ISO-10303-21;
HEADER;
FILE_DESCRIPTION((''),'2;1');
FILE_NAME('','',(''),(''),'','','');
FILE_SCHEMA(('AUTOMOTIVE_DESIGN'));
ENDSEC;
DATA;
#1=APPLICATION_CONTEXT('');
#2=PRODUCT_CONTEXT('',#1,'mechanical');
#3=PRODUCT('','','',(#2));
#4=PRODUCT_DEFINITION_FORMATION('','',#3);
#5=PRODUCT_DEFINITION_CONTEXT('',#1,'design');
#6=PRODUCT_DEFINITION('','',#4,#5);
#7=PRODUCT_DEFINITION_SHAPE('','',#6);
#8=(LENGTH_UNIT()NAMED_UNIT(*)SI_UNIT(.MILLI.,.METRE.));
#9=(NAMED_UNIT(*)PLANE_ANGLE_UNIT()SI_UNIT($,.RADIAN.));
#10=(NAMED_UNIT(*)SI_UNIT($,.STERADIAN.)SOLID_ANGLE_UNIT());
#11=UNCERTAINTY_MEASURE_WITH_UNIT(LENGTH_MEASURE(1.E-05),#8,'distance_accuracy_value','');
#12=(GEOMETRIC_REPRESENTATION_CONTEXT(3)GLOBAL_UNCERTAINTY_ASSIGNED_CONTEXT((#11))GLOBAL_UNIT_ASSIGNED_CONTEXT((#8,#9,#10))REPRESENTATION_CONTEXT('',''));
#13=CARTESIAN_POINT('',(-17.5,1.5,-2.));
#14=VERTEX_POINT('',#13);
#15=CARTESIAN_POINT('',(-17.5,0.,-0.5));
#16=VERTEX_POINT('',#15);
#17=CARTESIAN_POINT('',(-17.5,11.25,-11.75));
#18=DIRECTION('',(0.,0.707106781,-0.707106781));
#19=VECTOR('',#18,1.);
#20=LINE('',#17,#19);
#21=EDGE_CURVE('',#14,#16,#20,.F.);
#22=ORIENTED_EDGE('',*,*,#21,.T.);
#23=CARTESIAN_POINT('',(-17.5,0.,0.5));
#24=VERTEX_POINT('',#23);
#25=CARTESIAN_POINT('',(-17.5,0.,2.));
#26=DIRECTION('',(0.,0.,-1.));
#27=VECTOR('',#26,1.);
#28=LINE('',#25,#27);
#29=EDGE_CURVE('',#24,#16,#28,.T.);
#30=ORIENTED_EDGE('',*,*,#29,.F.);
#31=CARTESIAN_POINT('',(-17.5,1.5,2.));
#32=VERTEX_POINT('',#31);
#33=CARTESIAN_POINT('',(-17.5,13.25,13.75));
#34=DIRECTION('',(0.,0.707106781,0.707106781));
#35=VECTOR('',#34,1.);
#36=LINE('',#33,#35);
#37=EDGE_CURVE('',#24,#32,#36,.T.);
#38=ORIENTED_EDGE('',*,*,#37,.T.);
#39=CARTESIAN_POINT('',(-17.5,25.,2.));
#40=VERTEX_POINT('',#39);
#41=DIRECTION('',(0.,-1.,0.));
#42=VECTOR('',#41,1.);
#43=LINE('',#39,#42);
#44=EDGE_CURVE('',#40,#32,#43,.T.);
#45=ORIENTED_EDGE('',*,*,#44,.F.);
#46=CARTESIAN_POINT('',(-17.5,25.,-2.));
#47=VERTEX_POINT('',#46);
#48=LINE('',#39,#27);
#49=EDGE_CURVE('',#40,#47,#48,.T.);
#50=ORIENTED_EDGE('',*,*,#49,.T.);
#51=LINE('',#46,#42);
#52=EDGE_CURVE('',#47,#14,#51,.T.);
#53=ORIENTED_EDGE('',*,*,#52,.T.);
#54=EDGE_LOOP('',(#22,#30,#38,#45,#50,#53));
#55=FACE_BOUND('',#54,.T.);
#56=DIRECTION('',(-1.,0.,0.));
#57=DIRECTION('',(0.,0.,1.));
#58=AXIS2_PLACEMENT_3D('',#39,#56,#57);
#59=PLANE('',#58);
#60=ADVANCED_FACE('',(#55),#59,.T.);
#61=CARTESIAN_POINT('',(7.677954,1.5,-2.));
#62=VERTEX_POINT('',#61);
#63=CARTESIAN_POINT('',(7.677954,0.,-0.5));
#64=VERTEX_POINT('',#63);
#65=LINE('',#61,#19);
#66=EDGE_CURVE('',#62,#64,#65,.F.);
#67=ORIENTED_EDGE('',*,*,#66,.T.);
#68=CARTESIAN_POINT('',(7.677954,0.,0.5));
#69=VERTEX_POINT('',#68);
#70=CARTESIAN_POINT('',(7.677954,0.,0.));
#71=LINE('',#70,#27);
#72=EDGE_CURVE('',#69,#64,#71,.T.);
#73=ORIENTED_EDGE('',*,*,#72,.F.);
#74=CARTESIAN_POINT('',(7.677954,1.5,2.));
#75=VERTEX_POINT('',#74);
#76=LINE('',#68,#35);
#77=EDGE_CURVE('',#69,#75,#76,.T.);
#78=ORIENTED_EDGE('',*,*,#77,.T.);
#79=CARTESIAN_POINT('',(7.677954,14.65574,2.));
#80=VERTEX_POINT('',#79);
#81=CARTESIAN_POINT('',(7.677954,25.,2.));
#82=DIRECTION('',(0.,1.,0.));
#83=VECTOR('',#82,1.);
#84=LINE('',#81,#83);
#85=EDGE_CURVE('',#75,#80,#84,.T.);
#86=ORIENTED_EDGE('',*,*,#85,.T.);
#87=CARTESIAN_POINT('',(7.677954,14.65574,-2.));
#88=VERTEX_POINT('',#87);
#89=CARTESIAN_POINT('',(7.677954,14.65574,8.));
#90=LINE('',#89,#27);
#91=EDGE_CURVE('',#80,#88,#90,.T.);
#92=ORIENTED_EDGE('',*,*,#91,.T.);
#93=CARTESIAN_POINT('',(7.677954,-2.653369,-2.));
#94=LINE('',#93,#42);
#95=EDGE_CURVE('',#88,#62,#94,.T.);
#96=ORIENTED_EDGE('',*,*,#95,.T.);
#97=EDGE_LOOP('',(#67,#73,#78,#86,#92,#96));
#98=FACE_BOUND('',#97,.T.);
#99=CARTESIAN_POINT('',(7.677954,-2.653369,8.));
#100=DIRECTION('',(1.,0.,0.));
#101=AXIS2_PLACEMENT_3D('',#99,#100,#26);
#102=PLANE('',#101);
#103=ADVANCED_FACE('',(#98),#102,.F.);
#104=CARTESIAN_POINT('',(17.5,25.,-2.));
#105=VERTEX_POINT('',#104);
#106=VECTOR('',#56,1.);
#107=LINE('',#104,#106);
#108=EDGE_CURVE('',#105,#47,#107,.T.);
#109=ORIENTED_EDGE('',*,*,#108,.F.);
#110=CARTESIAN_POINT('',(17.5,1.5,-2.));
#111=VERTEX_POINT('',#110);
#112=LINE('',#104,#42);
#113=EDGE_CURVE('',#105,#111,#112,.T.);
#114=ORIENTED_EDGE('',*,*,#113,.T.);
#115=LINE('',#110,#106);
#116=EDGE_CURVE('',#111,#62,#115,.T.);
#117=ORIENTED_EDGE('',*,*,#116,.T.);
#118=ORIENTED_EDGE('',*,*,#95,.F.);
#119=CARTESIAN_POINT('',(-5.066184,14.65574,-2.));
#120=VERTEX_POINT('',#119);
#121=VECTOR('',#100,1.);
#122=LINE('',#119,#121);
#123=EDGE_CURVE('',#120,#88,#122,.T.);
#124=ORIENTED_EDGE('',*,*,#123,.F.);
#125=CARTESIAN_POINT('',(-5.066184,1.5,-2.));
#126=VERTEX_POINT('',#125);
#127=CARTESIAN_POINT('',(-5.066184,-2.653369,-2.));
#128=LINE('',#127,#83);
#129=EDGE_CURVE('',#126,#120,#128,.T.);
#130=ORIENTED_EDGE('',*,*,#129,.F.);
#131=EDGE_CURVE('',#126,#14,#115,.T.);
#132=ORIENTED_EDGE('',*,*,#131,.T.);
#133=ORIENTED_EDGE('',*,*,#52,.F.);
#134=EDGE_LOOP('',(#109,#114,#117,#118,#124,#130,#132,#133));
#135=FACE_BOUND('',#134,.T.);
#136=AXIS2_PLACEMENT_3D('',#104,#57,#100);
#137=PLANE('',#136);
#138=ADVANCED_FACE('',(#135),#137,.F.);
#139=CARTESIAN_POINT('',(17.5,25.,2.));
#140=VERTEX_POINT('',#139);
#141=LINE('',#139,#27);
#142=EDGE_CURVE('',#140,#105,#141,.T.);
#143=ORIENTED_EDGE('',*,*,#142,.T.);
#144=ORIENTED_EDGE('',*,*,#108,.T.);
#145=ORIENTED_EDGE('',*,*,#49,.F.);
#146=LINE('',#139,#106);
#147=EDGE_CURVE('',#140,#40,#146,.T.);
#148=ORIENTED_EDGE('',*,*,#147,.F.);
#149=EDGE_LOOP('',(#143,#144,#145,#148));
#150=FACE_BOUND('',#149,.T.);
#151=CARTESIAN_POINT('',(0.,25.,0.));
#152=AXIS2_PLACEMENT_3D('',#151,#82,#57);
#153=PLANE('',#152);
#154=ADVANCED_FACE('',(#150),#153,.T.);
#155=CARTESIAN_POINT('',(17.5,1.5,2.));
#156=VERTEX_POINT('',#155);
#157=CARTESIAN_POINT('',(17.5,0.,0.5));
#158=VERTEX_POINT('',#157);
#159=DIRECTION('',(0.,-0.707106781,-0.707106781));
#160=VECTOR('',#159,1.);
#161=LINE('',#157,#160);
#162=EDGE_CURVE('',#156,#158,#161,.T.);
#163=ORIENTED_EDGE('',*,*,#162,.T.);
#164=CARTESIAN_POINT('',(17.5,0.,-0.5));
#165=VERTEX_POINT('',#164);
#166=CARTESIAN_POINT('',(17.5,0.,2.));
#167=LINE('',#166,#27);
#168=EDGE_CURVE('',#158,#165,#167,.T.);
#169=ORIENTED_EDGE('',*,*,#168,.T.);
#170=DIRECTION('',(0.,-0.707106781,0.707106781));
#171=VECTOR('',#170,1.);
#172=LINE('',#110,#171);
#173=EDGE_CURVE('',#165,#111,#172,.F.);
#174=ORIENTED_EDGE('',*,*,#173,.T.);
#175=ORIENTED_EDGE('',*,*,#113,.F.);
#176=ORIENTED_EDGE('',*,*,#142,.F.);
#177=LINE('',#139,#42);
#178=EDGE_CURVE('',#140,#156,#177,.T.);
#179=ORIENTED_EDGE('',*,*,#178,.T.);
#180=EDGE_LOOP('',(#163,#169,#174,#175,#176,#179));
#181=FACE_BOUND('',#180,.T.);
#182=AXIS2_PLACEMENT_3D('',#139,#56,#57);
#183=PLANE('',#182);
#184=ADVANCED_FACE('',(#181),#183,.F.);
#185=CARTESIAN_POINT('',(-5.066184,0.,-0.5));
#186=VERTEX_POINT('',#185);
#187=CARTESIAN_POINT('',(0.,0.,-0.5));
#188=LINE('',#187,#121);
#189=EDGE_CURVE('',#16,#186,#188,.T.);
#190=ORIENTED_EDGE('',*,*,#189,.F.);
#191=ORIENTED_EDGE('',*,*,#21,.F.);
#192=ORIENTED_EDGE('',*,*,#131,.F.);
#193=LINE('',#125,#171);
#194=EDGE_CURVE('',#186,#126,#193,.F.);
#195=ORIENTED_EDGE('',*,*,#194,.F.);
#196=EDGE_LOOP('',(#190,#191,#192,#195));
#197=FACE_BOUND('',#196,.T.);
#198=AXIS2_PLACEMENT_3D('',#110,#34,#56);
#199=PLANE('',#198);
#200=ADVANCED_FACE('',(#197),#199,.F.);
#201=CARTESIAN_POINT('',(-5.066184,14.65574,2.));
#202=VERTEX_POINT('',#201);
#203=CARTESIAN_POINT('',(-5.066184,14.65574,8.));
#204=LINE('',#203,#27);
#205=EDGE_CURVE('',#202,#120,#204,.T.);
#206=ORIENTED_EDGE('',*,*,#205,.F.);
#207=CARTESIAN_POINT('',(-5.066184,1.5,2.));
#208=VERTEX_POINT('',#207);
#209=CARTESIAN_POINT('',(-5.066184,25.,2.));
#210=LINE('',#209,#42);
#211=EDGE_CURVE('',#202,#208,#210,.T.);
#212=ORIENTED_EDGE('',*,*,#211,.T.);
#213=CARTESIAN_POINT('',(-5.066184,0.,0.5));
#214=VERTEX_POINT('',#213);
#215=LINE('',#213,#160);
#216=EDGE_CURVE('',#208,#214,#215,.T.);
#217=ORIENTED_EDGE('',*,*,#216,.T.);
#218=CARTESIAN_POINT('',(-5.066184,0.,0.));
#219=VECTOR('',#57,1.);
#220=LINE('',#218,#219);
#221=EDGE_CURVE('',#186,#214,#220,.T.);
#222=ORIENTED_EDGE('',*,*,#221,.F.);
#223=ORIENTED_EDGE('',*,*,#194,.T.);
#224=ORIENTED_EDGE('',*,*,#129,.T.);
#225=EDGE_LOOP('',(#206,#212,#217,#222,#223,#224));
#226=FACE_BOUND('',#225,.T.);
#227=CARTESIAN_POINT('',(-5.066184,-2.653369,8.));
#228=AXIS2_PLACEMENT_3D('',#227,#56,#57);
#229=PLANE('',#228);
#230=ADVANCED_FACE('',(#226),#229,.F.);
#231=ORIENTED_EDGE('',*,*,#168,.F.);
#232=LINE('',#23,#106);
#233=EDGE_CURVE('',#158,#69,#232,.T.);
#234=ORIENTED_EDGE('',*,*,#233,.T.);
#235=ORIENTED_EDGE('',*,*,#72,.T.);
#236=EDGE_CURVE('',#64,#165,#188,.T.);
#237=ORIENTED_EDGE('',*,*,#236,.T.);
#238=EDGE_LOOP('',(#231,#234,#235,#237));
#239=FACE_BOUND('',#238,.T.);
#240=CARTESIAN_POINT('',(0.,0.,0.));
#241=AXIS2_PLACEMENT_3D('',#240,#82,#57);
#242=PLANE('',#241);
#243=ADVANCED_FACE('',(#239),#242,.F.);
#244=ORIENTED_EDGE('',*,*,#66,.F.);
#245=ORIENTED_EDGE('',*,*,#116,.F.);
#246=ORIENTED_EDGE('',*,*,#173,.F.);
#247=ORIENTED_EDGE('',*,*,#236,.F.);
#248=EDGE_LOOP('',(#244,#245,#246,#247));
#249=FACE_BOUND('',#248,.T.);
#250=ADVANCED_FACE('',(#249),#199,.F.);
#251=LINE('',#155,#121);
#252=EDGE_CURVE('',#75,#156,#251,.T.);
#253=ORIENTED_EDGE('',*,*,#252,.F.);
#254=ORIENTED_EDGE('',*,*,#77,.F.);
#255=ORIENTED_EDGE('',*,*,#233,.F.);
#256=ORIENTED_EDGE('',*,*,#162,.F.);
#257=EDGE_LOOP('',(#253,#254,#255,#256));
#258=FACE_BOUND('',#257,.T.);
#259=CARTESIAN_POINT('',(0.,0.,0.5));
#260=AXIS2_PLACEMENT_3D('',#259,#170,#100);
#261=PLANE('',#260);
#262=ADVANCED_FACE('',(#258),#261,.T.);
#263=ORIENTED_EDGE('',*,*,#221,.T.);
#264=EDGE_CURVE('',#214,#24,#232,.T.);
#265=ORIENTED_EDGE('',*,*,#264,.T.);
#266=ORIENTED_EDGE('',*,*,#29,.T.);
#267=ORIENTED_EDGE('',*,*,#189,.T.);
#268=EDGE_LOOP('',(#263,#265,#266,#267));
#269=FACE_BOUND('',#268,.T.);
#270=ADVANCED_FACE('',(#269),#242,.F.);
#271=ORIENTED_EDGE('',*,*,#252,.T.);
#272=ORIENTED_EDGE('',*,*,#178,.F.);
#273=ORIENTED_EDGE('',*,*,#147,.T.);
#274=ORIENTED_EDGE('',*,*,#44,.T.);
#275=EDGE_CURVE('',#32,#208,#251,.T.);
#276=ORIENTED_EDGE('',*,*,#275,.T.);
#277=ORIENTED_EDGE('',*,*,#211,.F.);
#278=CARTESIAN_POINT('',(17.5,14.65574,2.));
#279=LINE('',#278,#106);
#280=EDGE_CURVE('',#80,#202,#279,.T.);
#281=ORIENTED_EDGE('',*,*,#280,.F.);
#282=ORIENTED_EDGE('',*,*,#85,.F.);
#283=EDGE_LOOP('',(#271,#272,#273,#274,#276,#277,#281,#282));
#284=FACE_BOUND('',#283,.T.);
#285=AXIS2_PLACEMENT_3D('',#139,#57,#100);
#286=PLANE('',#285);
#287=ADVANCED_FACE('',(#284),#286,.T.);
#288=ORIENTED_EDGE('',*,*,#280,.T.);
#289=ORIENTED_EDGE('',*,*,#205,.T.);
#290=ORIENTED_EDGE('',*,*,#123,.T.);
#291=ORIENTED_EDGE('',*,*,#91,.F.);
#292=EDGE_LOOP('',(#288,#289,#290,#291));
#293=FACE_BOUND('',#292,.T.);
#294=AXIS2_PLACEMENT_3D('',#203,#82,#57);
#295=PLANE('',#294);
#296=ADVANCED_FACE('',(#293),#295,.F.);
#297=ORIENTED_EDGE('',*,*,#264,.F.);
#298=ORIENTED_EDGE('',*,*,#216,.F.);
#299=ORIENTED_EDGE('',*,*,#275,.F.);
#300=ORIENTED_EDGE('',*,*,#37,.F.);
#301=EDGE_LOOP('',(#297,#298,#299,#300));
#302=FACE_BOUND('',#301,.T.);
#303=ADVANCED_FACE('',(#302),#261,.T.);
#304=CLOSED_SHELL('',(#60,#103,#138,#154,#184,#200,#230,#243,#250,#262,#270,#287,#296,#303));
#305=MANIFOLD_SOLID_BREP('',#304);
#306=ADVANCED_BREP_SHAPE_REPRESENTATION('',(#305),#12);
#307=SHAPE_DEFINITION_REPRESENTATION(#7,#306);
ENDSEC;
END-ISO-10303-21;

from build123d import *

# Parameters (mm, degrees)
SKETCH_1_W          = 35
SKETCH_1_H          = 4
EXTRUDE_1_DEPTH     = 25
CHAMFER_1_SIZE      = 1.5
SKETCH_2_W          = 12.744138526
SKETCH_2_H          = 17.309109507
CUT_EXTRUDE_1_DEPTH = 10


with BuildPart() as part:
    # 草图1 → 凸台-拉伸1 (new body)
    with BuildSketch(Plane(origin=(0, 0, 0), x_dir=(1, 0, 0), z_dir=(0, 1, 0))):
        Rectangle(SKETCH_1_W, SKETCH_1_H)
    extrude(amount=EXTRUDE_1_DEPTH)

    # 倒角1
    chamfer_1_edges = [part.edges().sort_by_distance(p)[0] for p in [
        (0, 0, 2),
        (0, 0, -2),
    ]]
    chamfer(chamfer_1_edges, length=CHAMFER_1_SIZE)

    # 草图2 → 切除-拉伸1 (cut)
    with BuildSketch(Plane(origin=(0, 0, -2), x_dir=(-1, 0, 0), z_dir=(0, 0, -1))):
        with Locations((-1.305884938, 6.001185717)):
            Rectangle(SKETCH_2_W, SKETCH_2_H)
    extrude(amount=-CUT_EXTRUDE_1_DEPTH, mode=Mode.SUBTRACT)


solid = part.part
